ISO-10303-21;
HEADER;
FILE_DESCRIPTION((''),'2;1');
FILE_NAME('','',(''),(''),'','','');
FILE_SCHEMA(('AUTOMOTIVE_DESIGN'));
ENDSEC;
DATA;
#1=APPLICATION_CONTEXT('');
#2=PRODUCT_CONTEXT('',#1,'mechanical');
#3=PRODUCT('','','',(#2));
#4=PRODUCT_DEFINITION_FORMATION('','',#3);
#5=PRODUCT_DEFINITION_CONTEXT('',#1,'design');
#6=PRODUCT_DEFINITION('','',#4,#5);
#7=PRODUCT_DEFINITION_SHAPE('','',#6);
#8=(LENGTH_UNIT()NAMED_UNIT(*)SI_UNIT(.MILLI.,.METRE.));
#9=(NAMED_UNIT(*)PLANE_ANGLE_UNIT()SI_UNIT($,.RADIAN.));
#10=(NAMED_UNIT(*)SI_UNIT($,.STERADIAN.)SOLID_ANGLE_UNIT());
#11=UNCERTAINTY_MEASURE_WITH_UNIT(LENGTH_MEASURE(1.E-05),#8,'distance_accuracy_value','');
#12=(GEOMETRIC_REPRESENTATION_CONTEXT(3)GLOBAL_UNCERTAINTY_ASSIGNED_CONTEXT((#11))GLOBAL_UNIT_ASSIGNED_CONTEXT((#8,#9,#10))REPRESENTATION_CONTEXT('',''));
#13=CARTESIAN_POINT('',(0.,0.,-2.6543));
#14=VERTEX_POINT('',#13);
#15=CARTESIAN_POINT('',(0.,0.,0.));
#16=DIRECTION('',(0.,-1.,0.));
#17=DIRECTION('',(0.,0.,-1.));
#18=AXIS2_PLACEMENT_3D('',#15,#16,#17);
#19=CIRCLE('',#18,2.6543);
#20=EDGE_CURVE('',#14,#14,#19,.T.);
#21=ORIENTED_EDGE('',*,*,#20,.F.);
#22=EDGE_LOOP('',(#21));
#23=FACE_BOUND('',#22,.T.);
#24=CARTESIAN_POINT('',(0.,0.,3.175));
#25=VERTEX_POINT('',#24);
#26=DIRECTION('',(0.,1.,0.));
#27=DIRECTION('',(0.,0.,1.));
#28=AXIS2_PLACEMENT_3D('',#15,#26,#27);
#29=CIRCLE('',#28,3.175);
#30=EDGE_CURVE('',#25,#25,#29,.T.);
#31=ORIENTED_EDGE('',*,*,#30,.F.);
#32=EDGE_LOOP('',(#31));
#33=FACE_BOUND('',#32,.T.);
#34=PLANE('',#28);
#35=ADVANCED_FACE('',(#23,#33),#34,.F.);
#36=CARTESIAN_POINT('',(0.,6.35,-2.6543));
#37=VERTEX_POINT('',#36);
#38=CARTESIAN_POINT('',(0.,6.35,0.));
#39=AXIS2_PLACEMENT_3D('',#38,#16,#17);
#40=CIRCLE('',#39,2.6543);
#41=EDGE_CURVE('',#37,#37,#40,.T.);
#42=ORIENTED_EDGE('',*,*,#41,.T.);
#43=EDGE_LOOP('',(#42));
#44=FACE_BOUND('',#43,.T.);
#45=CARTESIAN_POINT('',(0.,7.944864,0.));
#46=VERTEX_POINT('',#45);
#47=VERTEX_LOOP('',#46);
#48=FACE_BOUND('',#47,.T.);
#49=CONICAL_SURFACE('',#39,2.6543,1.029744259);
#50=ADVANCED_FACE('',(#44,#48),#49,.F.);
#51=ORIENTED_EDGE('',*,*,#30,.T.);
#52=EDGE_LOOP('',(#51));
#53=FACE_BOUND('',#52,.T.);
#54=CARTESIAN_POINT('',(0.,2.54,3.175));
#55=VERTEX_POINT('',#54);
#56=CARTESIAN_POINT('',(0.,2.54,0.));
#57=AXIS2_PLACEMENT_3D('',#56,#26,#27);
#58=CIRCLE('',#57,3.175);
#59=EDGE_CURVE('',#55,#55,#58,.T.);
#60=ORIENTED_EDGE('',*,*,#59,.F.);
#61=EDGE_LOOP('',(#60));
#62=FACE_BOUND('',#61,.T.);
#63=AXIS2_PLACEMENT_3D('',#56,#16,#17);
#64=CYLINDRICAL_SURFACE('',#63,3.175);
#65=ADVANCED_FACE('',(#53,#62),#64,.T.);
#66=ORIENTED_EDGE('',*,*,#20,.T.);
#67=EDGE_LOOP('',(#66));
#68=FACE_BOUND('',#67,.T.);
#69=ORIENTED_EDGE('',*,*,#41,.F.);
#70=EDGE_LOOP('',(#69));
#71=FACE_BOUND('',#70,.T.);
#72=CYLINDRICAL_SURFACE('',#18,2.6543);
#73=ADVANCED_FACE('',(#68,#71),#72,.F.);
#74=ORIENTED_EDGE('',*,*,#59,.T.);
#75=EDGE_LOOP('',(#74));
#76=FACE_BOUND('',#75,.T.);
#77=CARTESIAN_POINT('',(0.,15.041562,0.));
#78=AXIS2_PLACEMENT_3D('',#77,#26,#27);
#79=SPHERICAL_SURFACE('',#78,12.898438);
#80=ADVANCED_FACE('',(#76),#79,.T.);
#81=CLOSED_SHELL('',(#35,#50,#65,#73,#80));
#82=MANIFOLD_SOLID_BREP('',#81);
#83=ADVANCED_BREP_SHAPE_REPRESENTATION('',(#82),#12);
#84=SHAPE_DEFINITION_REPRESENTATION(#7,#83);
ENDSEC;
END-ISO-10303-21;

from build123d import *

# Parameters (mm, degrees)
SKETCH1_R                      = 3.175
BOSS_EXTRUDE1_DEPTH            = 2.54
DOME1_FACE_RADIUS              = 3.175
DOME1_HEIGHT                   = 25.4
SKETCH8_R                      = 1.5875
CUT_EXTRUDE1_DEPTH             = 6.35
F_4_0_209_DIAMETER_HOLE1_D     = 5.3086
F_4_0_209_DIAMETER_HOLE1_DEPTH = 6.35
F_4_0_209_DIAMETER_HOLE1_TIP   = 1.594864341


with BuildPart() as part:
    # Sketch1 → Boss-Extrude1 (new body)
    with BuildSketch(Plane(origin=(0, 0, 0), x_dir=(1, 0, 0), z_dir=(0, 1, 0))):
        with Locations(Location((0, 0, 0), (0, 0, 270))):
            Circle(SKETCH1_R)
    extrude(amount=BOSS_EXTRUDE1_DEPTH)

    # Dome1: a dome of height H over a round flat face of radius A is a cap of a sphere of radius (A * A + H * H) / (2 * H)
    dome1_r = (DOME1_FACE_RADIUS * DOME1_FACE_RADIUS + DOME1_HEIGHT * DOME1_HEIGHT) / (2 * DOME1_HEIGHT)
    dome1_base = Plane((0, 2.54, 0), z_dir=(0, 1, 0))
    with Locations(dome1_base.offset(DOME1_HEIGHT - dome1_r)):
        dome1_ball = Sphere(dome1_r, mode=Mode.PRIVATE)
    add(split(dome1_ball, bisect_by=dome1_base, keep=Keep.TOP, mode=Mode.PRIVATE))

    # Sketch8 → Cut-Extrude1 (cut)
    with BuildSketch(Plane.XZ):
        with Locations(Location((0, 0, 0), (0, 0, 270))):
            Circle(SKETCH8_R)
    extrude(amount=-CUT_EXTRUDE1_DEPTH, mode=Mode.SUBTRACT)

    # #4 (0.209) Diameter Hole1
    with Locations(Plane(origin=(0, 0, 0), x_dir=(-1, 0, 0), z_dir=(0, -1, 0))):
        with Locations((0, 0)):
            Hole(F_4_0_209_DIAMETER_HOLE1_D / 2, depth=F_4_0_209_DIAMETER_HOLE1_DEPTH)
            with Locations((0, 0, -(F_4_0_209_DIAMETER_HOLE1_DEPTH + F_4_0_209_DIAMETER_HOLE1_TIP / 2))):  # 118° drill point
                Cone(0, F_4_0_209_DIAMETER_HOLE1_D / 2, F_4_0_209_DIAMETER_HOLE1_TIP, mode=Mode.SUBTRACT)


solid = part.part
